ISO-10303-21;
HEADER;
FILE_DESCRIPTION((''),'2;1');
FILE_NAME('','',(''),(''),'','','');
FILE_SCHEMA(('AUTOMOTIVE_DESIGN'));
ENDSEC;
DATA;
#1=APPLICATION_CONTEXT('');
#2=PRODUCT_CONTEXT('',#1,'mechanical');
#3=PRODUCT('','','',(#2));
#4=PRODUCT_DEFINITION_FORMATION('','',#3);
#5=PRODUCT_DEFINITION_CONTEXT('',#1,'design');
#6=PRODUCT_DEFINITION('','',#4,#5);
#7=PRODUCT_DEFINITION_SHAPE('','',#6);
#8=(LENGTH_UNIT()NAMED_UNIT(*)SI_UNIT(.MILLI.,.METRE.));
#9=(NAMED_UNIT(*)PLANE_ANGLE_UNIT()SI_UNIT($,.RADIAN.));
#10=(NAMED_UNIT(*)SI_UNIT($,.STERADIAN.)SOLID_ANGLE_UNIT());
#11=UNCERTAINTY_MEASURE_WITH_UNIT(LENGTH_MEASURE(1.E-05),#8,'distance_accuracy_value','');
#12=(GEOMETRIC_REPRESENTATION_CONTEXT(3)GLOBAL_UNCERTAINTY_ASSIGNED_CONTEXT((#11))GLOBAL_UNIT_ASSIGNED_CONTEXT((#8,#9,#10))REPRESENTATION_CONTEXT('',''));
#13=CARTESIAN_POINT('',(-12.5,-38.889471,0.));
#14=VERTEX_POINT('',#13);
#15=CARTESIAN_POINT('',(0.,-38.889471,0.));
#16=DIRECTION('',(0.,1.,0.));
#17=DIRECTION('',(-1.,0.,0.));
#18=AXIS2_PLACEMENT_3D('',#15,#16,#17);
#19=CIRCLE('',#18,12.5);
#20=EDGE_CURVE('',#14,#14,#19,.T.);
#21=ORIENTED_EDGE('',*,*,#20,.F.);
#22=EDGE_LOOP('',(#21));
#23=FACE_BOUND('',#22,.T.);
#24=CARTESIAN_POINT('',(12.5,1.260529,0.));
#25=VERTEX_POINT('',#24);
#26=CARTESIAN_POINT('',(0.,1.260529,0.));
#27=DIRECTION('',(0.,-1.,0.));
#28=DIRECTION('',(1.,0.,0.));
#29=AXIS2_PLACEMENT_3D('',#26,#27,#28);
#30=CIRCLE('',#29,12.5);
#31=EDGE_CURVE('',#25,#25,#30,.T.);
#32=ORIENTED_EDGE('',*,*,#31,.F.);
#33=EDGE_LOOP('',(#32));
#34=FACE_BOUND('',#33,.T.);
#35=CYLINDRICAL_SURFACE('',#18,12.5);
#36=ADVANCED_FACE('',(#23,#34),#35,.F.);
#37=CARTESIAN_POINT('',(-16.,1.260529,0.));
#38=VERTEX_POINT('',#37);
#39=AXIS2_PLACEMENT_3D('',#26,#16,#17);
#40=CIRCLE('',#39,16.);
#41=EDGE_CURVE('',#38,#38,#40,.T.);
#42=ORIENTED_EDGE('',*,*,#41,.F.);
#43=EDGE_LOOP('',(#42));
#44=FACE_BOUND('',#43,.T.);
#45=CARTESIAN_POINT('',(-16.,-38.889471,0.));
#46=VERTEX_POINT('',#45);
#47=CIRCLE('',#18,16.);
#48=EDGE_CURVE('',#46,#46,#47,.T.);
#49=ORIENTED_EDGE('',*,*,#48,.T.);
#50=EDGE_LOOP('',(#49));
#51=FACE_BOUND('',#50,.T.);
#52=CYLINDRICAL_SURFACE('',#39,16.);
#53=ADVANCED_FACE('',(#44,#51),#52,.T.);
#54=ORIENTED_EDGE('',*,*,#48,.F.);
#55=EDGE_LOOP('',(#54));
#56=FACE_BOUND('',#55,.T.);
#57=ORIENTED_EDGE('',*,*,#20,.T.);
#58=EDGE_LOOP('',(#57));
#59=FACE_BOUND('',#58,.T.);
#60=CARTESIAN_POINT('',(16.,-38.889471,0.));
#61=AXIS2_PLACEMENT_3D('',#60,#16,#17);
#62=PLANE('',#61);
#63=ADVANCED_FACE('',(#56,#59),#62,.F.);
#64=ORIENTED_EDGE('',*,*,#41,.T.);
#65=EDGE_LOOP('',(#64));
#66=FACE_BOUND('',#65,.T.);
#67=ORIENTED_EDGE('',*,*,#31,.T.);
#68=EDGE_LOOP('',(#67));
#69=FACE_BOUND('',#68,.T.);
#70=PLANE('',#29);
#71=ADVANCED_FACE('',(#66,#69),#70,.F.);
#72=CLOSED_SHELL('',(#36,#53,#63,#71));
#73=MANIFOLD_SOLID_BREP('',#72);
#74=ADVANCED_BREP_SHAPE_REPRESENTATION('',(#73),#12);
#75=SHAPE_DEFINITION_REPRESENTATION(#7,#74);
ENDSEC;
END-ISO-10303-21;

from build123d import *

# Parameters (mm, degrees)
SKETCH1_W               = 16
SKETCH1_H               = 40.15
CUT_EXTRUDE1_DEPTH      = 47.087118591
CUT_EXTRUDE1_DEPTH_BACK = 47.087118591
SKETCH2_R               = 12.5


with BuildPart() as part:
    # Sketch1 → Revolve1 (revolve)
    with BuildSketch(Plane.XY):
        with Locations((8, -18.814470918)):
            Rectangle(SKETCH1_W, SKETCH1_H)
    revolve(axis=Axis((0, 1.260529082, 0), (0, -1, 0)))

    # Sketch2 → Cut-Extrude1 (cut, two sides: drawn at the far end of the back side and taken through both)
    with BuildSketch(Plane(origin=(0, 1.260529082, 0), x_dir=(1, 0, 0), z_dir=(0, 1, 0)).offset(-CUT_EXTRUDE1_DEPTH_BACK)):
        Circle(SKETCH2_R)
    extrude(amount=CUT_EXTRUDE1_DEPTH + CUT_EXTRUDE1_DEPTH_BACK, mode=Mode.SUBTRACT)


solid = part.part
